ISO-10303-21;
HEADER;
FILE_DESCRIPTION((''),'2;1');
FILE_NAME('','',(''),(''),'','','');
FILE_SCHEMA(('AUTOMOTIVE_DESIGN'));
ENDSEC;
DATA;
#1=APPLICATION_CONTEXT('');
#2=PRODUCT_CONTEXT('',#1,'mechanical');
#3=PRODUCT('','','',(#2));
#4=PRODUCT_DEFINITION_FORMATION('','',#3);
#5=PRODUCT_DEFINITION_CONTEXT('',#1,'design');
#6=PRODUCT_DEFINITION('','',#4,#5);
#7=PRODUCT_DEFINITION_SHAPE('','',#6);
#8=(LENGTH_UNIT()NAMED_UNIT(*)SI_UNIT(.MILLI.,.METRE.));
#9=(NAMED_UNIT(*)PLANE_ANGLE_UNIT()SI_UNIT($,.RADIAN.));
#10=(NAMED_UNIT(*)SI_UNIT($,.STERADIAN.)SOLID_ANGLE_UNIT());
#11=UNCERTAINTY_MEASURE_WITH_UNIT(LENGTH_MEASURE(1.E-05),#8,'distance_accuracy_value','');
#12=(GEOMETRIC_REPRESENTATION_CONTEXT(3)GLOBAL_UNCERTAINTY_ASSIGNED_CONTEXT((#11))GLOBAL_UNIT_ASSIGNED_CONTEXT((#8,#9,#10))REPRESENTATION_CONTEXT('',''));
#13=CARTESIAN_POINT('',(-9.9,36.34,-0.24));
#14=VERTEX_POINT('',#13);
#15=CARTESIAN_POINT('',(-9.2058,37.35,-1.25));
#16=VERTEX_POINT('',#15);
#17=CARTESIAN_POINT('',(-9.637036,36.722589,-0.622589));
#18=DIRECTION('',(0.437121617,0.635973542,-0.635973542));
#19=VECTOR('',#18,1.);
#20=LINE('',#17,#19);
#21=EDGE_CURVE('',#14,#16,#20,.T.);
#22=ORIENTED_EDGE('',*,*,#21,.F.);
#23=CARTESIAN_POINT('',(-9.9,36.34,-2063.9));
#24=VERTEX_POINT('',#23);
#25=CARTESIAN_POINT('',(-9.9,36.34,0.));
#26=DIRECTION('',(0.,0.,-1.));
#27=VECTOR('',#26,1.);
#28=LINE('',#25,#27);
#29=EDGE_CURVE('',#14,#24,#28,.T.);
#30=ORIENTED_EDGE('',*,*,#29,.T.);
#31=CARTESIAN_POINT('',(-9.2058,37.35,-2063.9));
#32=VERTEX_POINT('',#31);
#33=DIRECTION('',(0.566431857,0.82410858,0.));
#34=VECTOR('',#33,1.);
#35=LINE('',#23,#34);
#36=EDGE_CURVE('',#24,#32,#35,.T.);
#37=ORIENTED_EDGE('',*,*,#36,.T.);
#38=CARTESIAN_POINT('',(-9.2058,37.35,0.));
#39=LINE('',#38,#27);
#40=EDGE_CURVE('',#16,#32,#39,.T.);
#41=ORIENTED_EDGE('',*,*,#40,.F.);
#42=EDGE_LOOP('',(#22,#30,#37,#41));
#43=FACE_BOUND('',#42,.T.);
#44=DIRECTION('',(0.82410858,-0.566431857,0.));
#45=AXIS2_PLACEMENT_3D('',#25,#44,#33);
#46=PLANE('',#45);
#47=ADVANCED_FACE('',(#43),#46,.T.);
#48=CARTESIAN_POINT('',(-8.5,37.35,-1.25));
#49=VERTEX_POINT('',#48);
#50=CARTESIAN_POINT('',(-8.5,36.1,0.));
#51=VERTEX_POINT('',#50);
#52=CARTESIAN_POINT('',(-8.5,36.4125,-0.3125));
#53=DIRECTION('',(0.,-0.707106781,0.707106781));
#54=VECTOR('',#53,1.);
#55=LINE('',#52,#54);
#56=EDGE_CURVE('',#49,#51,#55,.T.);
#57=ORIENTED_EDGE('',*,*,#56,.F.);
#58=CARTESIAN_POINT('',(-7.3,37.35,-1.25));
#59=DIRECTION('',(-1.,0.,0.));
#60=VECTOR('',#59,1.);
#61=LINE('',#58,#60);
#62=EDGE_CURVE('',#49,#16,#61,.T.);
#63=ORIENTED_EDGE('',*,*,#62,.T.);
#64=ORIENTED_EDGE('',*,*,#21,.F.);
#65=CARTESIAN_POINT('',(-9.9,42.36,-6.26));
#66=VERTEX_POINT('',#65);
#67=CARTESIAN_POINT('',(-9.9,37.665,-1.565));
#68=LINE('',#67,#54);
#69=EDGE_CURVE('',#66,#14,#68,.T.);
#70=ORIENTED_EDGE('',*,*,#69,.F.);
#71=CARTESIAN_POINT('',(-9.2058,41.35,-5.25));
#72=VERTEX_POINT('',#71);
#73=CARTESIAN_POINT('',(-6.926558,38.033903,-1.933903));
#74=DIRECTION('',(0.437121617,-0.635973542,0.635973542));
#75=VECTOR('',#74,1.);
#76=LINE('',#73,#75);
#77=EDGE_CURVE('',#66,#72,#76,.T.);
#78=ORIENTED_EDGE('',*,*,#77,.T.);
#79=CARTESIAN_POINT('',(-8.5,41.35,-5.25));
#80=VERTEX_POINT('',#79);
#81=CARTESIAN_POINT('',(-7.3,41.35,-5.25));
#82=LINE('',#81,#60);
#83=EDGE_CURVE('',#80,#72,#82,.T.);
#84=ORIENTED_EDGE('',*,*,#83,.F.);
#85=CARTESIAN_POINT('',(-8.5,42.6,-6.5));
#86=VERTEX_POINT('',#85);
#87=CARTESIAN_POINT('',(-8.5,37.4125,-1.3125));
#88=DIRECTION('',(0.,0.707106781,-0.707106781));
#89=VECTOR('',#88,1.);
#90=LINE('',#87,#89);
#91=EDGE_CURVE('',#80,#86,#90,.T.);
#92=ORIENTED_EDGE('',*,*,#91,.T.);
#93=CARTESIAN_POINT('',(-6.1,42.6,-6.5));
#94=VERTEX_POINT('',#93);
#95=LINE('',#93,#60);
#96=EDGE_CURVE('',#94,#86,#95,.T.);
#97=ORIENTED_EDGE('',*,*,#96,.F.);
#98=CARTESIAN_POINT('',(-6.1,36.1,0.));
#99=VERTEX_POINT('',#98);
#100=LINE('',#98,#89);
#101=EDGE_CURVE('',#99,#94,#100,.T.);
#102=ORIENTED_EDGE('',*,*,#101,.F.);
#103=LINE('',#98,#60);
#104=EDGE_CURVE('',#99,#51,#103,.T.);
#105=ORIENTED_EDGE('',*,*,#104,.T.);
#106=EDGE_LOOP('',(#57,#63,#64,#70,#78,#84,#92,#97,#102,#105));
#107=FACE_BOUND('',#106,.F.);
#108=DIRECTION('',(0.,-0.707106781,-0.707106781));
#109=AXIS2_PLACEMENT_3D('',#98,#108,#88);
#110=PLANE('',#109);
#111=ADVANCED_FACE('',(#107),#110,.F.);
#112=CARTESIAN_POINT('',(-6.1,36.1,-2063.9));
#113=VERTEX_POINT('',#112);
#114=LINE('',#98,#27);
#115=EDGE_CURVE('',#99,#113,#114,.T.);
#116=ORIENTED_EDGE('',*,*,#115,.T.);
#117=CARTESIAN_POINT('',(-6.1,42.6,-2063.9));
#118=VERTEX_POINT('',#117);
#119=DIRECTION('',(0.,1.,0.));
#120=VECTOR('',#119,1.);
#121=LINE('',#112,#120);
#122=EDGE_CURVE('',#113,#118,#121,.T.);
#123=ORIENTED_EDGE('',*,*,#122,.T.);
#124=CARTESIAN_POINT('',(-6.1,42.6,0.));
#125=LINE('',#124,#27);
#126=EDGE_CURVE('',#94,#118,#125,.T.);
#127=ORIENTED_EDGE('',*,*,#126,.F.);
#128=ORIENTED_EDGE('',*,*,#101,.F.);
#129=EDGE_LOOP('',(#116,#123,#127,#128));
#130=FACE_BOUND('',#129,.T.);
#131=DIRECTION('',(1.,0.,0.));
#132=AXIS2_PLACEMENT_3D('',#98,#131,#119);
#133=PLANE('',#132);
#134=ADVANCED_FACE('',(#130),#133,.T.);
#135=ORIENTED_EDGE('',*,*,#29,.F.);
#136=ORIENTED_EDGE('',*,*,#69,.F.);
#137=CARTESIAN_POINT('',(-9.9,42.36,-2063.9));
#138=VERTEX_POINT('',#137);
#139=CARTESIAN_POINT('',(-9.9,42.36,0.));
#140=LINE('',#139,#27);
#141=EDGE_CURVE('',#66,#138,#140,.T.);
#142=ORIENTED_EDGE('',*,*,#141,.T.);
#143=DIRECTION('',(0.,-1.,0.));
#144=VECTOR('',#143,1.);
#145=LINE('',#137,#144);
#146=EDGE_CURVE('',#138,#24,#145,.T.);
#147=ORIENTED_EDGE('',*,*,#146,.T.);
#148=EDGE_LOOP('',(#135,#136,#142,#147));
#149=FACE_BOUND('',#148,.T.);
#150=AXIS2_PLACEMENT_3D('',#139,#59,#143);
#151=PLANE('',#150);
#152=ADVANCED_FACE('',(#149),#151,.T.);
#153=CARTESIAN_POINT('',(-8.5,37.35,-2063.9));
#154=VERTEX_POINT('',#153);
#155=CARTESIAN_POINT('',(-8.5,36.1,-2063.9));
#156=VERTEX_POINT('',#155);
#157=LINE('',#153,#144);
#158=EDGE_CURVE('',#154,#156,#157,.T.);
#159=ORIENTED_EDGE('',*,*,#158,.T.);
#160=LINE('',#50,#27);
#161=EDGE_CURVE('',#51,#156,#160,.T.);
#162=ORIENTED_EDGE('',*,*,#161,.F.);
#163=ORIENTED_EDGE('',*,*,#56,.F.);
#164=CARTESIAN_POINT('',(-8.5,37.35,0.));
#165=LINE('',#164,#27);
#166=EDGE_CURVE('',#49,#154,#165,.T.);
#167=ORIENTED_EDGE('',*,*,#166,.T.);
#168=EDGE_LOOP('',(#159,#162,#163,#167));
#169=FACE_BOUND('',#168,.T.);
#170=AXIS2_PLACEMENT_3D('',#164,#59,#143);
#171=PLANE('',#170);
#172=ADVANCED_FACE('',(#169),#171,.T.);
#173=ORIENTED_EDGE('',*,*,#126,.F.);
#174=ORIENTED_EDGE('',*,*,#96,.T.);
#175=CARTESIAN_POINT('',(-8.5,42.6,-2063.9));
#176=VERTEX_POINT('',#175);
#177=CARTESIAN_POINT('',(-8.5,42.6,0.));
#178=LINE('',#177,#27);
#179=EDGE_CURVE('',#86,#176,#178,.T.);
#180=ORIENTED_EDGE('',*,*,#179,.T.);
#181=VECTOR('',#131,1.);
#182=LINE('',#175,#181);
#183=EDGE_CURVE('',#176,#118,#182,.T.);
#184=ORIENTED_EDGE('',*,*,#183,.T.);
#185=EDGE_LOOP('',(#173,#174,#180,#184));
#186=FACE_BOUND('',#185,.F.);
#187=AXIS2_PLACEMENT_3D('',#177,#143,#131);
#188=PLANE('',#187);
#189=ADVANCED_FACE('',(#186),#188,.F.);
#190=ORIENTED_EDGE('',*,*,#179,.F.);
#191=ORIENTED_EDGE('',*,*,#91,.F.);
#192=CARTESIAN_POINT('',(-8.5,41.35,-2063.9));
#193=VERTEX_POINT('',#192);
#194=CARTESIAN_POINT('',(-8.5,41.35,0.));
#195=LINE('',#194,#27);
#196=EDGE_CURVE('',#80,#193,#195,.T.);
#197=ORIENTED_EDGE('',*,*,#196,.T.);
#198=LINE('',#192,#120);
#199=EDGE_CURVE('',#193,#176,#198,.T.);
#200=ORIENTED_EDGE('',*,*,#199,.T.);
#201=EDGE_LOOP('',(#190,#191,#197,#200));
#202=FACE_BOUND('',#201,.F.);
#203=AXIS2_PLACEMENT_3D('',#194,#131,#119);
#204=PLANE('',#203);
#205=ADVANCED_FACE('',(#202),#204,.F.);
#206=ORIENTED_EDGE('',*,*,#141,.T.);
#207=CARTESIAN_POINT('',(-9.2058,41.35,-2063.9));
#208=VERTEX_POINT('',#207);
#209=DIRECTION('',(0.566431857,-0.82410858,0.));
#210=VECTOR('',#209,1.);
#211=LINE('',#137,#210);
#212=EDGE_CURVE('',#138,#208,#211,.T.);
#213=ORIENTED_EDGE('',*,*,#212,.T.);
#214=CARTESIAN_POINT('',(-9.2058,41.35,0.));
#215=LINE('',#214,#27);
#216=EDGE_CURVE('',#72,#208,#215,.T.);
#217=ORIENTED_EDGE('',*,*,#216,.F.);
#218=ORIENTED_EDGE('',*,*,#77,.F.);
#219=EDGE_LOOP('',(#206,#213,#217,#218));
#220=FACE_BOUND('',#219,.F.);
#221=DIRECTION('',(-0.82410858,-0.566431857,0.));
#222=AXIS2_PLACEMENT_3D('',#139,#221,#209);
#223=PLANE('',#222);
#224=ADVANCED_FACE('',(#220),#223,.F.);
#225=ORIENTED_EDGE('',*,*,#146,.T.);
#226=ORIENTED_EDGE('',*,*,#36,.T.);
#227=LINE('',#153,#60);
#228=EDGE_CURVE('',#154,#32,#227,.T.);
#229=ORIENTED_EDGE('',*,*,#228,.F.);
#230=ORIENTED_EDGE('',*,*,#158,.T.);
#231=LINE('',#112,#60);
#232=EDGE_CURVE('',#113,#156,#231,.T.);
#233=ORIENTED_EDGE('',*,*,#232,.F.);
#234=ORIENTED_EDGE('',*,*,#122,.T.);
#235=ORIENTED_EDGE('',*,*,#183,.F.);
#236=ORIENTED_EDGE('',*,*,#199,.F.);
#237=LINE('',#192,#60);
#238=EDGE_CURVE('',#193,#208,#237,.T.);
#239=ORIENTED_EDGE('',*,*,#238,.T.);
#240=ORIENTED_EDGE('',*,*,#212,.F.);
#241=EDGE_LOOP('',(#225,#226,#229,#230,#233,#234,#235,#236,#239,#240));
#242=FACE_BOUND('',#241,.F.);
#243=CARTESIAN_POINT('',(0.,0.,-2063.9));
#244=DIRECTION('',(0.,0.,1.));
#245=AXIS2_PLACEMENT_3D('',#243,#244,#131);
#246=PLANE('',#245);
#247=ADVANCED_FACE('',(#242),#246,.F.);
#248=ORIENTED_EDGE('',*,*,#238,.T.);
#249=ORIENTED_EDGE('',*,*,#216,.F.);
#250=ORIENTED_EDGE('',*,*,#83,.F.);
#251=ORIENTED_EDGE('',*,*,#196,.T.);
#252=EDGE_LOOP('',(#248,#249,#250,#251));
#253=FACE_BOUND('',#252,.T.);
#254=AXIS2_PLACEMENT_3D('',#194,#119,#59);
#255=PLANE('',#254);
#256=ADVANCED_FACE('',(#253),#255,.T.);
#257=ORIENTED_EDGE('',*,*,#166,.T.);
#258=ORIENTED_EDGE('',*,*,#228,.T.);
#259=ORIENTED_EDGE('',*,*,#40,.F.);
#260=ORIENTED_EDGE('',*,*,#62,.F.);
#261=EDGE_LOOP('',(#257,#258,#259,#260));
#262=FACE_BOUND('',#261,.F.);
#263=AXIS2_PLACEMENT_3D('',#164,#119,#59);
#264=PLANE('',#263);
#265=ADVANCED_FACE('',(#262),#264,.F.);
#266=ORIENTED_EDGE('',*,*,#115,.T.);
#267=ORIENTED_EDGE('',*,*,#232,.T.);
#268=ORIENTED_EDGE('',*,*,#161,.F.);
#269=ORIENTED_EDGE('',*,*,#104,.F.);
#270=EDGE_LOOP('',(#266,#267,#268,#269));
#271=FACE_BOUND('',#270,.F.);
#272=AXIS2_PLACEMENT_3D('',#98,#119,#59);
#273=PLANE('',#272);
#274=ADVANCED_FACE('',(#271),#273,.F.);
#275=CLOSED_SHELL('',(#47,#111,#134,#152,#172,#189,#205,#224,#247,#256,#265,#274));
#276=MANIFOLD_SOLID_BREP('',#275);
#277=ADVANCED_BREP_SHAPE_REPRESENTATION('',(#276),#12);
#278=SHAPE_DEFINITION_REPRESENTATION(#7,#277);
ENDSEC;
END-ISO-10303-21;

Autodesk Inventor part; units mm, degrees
ref_plane "YZ Plane" through (0, 0, 0) normal (1, 0, 0) x (0, 1, 0)
ref_plane "XZ Plane" through (0, 0, 0) normal (0, 1, 0) x (-1, 0, 0)
ref_plane "XY Plane" through (0, 0, 0) normal (0, 0, 1) x (1, 0, 0)
sketch "Sketch1" plane through (0, 0, 0) normal (0, 0, 1) x (1, 0, 0)
  line L0 (-8.5, 42.6) -> (-6.1, 42.6)
  line L1 (-6.1, 36.1) -> (-8.5, 36.1)
  line L2 (-6.1, 36.1) -> (-6.1, 42.6)
  line L3 (-8.5, 37.35) -> (-8.5, 36.1)
  line L4 (-8.5, 41.35) -> (-8.5, 42.6)
  line L5 (-8.5, 37.35) -> (-9.2058, 37.35)
  line L6 (-8.5, 41.35) -> (-9.2058, 41.35)
  line L7 (-9.9, 42.36) -> (-9.2058, 41.35)
  line L8 (-9.9, 36.34) -> (-9.2058, 37.35)
  line L9 (-9.9, 42.36) -> (-9.9, 36.34)
  point P0 (-8.5, 41.975)
  point P1 (-6.1, 39.35)
  dimension "d27" = 6.5
  dimension "d28" = 2.4
  dimension "d29" = 2.4
  dimension "d35" = 111
  dimension "d36" = 4
  dimension "d37" = 6.02
  dimension "d38" = 0.7058
  dimension "d39" = 0.7058
  dimension "d43" = 3.01
  dimension "d44" = 2
extrude "Extrusion1" add sketch "Sketch1" against normal blind 2063.9
sketch "Boceto2" plane through (-6.1, 36.1, 0) normal (1, 0, 0) x (0, 0, -1)
  line L0 (0, 0) -> (6.5, 6.5)
  line L1 (0, 6.5) -> (2063.9, 6.5) projected
  line L2 (6.5, 6.5) -> (0, 6.5)
  line L3 (0, 0) -> (0, 6.5)
  line L4 (0, 6.26) -> (0, 0.24) projected
  point P0 (0, -36.1)
  dimension "d60" = 45
extrude "Extrusión2" cut sketch "Boceto2" against normal through all
properties part number "JUNTA DE GOMA 2100MM" material "Rubber"
